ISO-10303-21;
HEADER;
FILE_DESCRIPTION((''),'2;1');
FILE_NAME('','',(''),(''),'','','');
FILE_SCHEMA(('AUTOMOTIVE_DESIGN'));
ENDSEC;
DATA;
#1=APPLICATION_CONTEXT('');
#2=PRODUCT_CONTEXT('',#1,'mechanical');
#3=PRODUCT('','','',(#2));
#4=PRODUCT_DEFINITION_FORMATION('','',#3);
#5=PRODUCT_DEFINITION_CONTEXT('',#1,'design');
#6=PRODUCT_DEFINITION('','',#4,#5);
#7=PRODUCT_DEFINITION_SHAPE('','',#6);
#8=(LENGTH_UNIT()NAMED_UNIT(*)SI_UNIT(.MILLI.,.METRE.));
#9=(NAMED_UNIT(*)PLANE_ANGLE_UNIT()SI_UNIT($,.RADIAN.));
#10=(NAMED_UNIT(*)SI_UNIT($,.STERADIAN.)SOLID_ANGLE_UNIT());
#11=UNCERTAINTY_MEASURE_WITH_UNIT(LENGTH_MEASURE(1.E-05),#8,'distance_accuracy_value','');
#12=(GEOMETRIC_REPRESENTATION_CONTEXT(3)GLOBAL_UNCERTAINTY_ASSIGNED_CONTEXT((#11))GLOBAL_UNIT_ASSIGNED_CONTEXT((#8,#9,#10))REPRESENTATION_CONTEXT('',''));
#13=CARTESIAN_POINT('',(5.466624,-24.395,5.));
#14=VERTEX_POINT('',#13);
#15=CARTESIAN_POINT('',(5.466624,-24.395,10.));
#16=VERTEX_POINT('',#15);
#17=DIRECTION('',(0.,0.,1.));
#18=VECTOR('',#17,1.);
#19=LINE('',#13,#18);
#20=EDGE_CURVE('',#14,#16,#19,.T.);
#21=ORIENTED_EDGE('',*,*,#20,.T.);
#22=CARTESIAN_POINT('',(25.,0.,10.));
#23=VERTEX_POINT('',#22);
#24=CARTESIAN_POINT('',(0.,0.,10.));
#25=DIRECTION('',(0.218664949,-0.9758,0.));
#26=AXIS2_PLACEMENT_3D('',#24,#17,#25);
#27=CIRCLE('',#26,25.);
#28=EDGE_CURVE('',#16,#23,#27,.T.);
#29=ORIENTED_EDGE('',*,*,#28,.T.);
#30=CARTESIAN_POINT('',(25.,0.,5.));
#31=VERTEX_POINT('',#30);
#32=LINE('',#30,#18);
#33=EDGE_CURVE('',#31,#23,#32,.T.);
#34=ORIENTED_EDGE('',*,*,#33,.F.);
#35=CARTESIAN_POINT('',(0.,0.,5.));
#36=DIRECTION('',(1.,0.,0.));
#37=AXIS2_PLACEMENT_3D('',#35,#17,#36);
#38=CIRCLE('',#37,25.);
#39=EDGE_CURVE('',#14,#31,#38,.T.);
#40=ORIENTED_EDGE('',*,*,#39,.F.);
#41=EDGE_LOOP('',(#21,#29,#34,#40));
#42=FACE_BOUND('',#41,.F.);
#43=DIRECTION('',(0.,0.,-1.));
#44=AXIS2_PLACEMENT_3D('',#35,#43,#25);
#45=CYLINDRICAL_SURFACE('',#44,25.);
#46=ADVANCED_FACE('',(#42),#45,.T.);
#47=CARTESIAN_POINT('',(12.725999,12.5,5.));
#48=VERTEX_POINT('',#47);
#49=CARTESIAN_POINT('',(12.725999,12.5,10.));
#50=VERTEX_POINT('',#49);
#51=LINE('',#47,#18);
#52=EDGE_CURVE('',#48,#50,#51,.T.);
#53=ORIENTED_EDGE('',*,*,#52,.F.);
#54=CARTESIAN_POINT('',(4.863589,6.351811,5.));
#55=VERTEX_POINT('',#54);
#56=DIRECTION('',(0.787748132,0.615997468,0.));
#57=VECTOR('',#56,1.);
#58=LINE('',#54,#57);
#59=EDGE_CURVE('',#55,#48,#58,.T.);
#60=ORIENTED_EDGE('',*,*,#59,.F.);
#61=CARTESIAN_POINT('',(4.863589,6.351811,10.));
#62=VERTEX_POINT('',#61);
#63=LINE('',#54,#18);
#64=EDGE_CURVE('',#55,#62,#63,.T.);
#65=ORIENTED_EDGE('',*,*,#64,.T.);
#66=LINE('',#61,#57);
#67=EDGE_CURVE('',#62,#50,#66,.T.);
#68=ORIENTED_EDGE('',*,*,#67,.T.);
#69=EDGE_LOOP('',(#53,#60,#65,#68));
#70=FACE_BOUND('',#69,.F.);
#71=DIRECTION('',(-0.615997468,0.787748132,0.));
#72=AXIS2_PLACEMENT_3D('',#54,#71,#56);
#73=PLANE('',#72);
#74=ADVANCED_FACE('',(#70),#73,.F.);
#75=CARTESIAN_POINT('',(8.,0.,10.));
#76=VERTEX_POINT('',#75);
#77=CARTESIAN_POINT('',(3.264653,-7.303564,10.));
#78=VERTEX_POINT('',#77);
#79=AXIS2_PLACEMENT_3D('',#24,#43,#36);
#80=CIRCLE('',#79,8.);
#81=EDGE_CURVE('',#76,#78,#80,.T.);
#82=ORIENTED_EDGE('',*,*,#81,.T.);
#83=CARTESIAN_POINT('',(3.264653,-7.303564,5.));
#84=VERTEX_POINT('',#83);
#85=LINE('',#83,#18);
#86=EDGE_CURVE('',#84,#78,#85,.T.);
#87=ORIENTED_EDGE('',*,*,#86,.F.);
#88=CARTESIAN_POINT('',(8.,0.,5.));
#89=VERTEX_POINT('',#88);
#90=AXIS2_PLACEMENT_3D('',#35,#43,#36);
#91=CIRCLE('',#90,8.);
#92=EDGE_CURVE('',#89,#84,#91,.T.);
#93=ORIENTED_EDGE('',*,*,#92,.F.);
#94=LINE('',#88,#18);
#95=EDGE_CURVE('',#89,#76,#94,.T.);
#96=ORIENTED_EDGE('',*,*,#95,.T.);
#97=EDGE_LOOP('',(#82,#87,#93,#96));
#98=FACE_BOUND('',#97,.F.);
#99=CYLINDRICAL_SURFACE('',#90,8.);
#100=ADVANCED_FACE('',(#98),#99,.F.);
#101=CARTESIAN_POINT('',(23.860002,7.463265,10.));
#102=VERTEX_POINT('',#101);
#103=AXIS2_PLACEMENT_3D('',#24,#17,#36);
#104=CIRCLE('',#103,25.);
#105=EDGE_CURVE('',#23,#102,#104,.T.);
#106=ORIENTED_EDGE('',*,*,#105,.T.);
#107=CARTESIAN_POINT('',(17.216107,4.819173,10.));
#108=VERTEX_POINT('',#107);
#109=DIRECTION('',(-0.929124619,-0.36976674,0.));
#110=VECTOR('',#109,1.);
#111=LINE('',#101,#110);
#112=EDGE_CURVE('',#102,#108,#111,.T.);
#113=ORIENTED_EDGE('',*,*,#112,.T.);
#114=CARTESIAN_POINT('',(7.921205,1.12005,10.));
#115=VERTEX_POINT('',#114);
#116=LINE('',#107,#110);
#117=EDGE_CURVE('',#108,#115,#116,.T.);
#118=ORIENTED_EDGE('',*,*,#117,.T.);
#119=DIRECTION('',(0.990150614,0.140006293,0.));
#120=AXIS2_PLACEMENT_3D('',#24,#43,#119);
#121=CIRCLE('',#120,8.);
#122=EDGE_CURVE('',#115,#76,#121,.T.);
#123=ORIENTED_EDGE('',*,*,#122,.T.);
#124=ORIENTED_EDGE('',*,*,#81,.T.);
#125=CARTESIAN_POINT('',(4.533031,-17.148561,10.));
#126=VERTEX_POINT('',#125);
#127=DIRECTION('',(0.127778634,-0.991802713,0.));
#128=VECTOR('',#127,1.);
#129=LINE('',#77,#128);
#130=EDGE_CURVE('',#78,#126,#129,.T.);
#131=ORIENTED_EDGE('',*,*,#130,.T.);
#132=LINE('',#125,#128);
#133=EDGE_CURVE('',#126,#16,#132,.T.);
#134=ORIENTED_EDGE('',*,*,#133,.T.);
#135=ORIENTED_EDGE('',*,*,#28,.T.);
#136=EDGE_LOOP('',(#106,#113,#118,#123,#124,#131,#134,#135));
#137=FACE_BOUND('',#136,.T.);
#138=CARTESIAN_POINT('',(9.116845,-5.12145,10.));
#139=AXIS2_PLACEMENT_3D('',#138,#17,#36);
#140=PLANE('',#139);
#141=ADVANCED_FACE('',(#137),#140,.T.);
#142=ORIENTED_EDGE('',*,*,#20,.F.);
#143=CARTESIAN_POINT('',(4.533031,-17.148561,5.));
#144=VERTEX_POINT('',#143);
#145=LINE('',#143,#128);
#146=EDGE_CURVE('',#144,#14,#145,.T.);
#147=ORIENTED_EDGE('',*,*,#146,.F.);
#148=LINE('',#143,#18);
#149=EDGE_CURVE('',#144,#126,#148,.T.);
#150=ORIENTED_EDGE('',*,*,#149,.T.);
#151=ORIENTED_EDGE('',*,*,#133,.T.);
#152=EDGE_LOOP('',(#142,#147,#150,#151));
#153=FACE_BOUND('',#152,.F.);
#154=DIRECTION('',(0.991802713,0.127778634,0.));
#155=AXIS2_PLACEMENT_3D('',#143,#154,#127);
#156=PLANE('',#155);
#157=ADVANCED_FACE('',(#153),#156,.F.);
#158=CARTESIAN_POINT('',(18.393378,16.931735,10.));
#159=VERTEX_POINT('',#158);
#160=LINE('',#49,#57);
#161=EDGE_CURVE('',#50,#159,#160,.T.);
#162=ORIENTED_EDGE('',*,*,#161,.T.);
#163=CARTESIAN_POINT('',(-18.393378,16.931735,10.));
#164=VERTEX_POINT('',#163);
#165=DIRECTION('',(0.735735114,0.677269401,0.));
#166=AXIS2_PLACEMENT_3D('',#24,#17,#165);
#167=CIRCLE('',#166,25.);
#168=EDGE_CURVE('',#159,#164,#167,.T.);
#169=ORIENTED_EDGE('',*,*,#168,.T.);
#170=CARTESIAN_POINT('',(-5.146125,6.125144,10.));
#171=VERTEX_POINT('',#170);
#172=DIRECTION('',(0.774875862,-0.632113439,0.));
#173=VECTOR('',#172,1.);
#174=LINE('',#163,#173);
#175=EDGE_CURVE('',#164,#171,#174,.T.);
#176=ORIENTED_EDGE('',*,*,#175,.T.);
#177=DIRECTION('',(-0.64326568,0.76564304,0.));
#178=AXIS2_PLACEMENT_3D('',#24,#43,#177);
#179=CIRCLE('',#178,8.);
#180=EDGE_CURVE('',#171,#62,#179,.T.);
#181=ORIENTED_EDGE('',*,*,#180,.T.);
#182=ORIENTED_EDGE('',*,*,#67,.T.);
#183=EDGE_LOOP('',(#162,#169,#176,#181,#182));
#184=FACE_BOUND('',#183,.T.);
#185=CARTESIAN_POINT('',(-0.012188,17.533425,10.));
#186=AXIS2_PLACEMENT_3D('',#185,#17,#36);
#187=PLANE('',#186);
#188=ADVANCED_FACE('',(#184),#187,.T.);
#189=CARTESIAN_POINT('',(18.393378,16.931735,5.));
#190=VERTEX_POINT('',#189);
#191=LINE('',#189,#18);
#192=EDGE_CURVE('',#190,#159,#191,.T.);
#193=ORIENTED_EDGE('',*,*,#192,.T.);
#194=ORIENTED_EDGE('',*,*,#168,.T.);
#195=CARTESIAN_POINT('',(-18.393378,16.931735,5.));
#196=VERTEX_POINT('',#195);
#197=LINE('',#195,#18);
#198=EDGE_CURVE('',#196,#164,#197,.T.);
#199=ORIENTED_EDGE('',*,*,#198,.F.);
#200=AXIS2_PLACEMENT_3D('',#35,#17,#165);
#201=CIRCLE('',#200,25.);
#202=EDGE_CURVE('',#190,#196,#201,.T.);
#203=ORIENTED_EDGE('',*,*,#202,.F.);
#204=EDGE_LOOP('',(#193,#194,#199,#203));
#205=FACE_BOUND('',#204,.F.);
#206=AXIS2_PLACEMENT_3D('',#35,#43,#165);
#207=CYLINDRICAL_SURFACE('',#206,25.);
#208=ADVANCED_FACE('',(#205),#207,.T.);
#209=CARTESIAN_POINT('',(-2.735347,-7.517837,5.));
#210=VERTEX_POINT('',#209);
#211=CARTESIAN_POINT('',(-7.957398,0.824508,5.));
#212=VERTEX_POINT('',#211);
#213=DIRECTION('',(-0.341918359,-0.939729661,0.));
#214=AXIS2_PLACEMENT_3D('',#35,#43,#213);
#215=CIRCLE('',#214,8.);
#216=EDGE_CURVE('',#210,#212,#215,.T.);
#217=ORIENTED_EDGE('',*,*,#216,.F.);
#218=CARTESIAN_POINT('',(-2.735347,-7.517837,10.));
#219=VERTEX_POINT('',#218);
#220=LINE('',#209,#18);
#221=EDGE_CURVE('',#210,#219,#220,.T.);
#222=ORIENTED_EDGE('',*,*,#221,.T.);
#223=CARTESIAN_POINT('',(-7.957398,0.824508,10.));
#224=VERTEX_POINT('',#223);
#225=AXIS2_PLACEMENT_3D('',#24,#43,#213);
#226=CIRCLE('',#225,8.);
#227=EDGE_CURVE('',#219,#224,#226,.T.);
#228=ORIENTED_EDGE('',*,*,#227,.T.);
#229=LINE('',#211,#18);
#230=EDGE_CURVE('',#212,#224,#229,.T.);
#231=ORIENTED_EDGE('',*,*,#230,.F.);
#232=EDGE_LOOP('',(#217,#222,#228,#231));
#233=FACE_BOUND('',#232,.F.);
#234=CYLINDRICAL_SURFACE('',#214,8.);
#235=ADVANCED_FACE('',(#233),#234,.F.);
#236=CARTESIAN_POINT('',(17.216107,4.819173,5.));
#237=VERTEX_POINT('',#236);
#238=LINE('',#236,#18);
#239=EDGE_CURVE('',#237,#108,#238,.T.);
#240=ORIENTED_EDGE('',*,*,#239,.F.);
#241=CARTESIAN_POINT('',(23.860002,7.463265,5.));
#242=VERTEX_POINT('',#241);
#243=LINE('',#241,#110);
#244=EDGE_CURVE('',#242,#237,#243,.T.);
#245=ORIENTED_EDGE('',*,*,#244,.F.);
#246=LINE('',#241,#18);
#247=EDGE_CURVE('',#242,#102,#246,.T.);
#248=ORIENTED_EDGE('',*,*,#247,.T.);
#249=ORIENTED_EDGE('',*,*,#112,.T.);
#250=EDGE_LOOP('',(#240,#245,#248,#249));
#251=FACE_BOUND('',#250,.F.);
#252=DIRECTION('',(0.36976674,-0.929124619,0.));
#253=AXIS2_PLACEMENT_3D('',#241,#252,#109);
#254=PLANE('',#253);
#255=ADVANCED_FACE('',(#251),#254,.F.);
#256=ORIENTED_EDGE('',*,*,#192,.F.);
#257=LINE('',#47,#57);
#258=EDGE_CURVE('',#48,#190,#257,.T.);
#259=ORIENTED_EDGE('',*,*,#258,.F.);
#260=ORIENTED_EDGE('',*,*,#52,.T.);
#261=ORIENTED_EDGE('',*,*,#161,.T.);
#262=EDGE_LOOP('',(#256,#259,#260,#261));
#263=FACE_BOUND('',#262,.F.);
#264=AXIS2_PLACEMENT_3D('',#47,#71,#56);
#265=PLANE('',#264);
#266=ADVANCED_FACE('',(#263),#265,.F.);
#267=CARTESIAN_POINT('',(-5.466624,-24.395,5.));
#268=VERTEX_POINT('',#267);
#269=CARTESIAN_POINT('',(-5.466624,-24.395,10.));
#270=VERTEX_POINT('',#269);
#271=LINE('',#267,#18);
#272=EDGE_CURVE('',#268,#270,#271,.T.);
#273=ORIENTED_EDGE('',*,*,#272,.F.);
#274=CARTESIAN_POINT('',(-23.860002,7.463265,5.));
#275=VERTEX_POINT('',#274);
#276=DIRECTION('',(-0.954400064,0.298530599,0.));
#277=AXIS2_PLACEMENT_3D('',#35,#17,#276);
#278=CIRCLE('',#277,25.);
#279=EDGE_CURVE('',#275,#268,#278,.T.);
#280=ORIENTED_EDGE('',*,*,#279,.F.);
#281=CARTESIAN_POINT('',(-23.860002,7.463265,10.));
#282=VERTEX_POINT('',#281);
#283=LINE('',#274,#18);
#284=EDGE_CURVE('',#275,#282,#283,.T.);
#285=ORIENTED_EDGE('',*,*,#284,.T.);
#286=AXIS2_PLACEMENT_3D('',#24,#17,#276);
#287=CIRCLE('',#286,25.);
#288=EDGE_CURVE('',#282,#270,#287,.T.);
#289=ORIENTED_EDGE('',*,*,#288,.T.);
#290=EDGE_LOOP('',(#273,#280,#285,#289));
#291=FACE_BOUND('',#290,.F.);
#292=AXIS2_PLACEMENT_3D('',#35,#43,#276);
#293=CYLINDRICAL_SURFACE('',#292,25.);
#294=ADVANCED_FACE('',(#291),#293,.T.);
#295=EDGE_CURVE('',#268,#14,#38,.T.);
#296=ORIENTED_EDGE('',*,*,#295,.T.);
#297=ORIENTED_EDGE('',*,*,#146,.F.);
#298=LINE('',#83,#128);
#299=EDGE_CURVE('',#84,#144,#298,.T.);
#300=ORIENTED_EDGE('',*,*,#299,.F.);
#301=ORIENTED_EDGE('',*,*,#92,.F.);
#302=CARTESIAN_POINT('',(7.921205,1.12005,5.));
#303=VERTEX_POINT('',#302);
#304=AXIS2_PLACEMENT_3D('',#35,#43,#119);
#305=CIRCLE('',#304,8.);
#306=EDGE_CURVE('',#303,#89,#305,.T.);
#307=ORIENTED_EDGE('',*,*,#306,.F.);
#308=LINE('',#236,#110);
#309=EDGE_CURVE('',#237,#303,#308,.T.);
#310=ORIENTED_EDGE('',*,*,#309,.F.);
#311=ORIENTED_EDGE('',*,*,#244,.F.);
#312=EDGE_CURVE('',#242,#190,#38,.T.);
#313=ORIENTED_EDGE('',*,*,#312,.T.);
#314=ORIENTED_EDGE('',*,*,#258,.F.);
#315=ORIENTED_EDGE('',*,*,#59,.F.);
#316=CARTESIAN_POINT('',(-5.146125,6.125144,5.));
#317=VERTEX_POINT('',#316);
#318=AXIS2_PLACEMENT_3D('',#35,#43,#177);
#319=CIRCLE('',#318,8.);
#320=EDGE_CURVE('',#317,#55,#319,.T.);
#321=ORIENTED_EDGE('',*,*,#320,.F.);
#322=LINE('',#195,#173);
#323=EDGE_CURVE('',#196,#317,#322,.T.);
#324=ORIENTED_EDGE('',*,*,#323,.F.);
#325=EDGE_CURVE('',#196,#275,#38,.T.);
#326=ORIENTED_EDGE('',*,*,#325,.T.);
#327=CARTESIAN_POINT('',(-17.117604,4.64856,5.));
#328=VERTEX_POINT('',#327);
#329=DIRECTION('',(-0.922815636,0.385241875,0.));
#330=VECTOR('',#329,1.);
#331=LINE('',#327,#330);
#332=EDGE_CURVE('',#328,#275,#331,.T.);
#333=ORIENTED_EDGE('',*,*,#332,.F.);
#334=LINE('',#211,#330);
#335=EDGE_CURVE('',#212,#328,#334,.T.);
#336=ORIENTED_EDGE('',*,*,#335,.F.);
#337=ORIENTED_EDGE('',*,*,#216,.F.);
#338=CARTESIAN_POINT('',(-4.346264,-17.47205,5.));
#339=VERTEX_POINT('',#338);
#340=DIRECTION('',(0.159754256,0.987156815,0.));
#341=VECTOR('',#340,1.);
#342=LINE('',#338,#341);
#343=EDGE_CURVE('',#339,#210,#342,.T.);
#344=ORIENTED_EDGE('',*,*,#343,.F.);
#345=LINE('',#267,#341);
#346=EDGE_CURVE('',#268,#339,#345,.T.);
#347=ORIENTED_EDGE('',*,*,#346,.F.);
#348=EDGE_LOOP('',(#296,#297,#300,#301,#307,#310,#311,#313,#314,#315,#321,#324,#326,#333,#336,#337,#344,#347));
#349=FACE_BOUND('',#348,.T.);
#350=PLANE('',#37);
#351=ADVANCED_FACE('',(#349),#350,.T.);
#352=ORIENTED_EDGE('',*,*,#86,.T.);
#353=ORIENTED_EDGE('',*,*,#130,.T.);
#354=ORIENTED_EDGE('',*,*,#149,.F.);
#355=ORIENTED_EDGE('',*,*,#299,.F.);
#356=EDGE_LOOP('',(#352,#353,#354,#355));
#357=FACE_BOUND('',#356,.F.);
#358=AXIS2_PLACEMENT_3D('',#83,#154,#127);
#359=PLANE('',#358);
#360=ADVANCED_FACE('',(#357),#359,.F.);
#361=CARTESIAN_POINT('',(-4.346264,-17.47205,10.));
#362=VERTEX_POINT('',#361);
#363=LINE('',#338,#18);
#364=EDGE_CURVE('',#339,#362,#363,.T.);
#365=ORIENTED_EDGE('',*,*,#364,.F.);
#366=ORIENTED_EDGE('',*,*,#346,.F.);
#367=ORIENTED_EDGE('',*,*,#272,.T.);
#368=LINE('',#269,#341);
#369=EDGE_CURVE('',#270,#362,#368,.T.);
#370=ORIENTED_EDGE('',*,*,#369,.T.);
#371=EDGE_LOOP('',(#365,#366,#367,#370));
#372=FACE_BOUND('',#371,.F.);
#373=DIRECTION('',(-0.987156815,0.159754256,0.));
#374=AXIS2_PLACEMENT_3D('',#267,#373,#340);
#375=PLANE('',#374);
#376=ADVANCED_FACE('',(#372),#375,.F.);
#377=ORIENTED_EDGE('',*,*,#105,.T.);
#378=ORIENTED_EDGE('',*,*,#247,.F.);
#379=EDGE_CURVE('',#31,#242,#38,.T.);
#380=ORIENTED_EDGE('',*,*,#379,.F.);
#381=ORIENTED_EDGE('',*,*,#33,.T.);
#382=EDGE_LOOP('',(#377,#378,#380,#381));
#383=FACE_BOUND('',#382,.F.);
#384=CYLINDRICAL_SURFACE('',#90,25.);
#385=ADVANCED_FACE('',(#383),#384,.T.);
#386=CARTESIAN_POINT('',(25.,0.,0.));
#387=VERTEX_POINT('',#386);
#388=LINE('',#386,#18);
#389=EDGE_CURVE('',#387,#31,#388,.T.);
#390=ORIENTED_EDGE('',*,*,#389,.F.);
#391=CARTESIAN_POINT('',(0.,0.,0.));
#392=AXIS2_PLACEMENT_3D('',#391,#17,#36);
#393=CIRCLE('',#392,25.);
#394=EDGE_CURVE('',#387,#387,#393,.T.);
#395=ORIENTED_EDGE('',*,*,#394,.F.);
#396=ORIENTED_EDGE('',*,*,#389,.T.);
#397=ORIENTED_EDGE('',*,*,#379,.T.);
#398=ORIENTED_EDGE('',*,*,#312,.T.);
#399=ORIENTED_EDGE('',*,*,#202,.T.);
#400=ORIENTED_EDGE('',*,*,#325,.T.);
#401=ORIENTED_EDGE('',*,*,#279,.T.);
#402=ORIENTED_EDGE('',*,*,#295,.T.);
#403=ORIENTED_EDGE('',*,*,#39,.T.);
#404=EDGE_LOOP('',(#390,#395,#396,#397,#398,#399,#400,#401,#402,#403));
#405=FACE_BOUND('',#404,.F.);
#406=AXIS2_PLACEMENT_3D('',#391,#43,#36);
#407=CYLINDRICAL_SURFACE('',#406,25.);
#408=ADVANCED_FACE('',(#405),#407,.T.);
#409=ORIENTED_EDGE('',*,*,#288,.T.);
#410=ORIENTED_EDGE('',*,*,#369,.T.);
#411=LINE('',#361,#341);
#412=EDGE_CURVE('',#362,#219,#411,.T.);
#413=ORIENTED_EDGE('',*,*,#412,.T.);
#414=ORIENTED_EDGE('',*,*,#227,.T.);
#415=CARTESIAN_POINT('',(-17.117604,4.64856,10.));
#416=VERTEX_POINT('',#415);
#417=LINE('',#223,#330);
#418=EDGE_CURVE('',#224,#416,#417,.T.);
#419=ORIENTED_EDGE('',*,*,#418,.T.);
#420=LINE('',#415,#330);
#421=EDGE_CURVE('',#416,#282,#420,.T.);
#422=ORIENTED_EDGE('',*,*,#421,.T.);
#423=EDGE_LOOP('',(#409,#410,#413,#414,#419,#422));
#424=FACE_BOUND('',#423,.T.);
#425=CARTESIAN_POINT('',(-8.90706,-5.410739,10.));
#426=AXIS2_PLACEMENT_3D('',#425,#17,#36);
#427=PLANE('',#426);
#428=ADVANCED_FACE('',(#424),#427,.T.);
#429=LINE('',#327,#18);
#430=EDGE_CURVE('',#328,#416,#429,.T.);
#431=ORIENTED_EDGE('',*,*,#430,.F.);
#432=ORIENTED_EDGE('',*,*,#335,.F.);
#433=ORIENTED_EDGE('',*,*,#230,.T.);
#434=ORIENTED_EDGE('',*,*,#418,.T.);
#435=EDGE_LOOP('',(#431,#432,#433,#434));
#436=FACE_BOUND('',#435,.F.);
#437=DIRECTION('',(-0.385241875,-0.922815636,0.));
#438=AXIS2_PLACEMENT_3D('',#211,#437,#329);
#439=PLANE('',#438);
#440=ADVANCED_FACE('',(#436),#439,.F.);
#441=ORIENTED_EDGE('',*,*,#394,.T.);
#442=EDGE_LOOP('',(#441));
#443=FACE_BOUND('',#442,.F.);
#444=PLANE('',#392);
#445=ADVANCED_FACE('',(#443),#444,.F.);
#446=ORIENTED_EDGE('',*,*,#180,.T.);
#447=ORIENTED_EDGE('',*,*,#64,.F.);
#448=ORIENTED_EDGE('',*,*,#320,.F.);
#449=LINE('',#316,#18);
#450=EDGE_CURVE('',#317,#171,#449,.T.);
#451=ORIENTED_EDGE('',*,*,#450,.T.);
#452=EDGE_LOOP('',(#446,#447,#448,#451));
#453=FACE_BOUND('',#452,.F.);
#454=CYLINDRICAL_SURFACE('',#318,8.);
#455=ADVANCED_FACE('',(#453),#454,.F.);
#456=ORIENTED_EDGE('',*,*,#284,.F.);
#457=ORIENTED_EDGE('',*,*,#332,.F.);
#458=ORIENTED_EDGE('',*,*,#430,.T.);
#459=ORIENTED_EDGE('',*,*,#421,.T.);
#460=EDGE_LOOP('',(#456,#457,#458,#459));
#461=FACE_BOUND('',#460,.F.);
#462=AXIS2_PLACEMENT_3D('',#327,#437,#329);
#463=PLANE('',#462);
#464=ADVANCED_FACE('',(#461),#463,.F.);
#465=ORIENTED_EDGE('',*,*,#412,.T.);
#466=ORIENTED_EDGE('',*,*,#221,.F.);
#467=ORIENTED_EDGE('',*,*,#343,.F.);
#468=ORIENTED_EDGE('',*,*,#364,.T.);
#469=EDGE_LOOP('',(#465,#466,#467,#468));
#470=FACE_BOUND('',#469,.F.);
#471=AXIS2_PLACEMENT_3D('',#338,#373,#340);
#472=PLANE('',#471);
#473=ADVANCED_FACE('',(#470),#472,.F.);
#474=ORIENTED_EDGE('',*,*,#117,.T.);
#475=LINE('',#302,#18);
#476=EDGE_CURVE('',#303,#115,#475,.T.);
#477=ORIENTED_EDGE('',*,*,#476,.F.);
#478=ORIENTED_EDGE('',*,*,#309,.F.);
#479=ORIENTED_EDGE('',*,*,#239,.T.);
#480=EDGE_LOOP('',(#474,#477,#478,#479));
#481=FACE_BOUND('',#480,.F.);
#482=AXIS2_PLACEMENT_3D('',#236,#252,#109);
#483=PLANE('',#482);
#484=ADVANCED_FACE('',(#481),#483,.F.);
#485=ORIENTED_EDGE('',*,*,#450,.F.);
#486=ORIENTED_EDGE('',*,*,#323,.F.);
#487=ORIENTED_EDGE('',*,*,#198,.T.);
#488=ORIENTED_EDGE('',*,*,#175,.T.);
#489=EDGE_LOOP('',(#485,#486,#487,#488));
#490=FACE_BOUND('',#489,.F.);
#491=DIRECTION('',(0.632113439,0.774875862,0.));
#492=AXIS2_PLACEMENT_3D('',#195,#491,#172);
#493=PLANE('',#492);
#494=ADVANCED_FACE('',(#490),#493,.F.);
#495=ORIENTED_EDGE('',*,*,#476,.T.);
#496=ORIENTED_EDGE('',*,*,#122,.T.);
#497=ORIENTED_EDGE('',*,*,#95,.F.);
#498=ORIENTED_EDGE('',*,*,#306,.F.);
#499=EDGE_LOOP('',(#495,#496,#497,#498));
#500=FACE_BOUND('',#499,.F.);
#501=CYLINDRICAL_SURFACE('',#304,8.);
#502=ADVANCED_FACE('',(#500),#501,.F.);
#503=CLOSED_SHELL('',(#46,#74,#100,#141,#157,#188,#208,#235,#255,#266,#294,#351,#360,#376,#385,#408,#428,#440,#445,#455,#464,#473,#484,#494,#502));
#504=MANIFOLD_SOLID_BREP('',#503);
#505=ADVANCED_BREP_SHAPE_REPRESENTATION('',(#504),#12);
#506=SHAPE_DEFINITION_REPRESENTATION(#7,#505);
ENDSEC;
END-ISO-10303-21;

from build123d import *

# Parameters (mm, degrees)
F0_R     = 25
F1_DEPTH = 5
F3_DEPTH = 5


with BuildPart() as f1:
    # F0 (on Top) → F1 (new body)
    with BuildSketch(Plane.XY):
        Circle(F0_R)
    extrude(amount=F1_DEPTH)

    # F2 (on face) → F3 (join)
    with BuildSketch(Plane.XY.offset(5)):
        with BuildLine():
            Line((-12.9607382676, 12.5), (12.7259990671, 12.5))
            Line((12.7259990671, 12.5), (18.3933778606, 16.9317350227))
            ThreePointArc((18.3933778606, 16.9317350227), (0, 25), (-18.3933778606, 16.9317350227))
            Line((-18.3933778606, 16.9317350227), (-12.9607382676, 12.5))
        make_face()
        with BuildLine():
            ThreePointArc((-5.1461254396, 6.1251443215), (-0.1811107496, 7.9979496683), (4.8635891916, 6.3518107793))
            Line((4.8635891916, 6.3518107793), (12.7259990671, 12.5))
            Line((12.7259990671, 12.5), (-12.9607382676, 12.5))
            Line((-12.9607382676, 12.5), (-5.1461254396, 6.1251443215))
        make_face()
        with BuildLine():
            Line((17.216107491, 4.8191728829), (7.9212049105, 1.1200503406))
            ThreePointArc((7.9212049105, 1.1200503406), (7.9802769151, 0.5614092606), (8, 0))
            ThreePointArc((8, 0), (6.7125712299, -4.3521704336), (3.2646531292, -7.3035635101))
            Line((3.2646531292, -7.3035635101), (4.5330306651, -17.1485605759))
            Line((4.5330306651, -17.1485605759), (17.216107491, 4.8191728829))
        make_face()
        with BuildLine():
            Line((23.8600015901, 7.4632649773), (17.216107491, 4.8191728829))
            Line((17.216107491, 4.8191728829), (4.5330306651, -17.1485605759))
            Line((4.5330306651, -17.1485605759), (5.4666237295, -24.395))
            ThreePointArc((5.4666237295, -24.395), (19.5149377816, -15.6258504851), (25, 0))
            ThreePointArc((25, 0), (24.7133571146, 3.774914585), (23.8600015901, 7.4632649773))
        make_face()
        with BuildLine():
            ThreePointArc((-2.7353468708, -7.5178372885), (-6.7810309466, -4.2447166339), (-7.957398227, 0.8245080093))
            Line((-7.957398227, 0.8245080093), (-17.1176040253, 4.6485598758))
            Line((-17.1176040253, 4.6485598758), (-4.3462640059, -17.4720499187))
            Line((-4.3462640059, -17.4720499187), (-2.7353468708, -7.5178372885))
        make_face()
        with BuildLine():
            Line((-4.3462640059, -17.4720499187), (-17.1176040253, 4.6485598758))
            Line((-17.1176040253, 4.6485598758), (-23.8600015901, 7.4632649773))
            ThreePointArc((-23.8600015901, 7.4632649773), (-21.6506350946, -12.5), (-5.4666237295, -24.395))
            Line((-5.4666237295, -24.395), (-4.3462640059, -17.4720499187))
        make_face()
    extrude(amount=F3_DEPTH)


solid = f1.part
